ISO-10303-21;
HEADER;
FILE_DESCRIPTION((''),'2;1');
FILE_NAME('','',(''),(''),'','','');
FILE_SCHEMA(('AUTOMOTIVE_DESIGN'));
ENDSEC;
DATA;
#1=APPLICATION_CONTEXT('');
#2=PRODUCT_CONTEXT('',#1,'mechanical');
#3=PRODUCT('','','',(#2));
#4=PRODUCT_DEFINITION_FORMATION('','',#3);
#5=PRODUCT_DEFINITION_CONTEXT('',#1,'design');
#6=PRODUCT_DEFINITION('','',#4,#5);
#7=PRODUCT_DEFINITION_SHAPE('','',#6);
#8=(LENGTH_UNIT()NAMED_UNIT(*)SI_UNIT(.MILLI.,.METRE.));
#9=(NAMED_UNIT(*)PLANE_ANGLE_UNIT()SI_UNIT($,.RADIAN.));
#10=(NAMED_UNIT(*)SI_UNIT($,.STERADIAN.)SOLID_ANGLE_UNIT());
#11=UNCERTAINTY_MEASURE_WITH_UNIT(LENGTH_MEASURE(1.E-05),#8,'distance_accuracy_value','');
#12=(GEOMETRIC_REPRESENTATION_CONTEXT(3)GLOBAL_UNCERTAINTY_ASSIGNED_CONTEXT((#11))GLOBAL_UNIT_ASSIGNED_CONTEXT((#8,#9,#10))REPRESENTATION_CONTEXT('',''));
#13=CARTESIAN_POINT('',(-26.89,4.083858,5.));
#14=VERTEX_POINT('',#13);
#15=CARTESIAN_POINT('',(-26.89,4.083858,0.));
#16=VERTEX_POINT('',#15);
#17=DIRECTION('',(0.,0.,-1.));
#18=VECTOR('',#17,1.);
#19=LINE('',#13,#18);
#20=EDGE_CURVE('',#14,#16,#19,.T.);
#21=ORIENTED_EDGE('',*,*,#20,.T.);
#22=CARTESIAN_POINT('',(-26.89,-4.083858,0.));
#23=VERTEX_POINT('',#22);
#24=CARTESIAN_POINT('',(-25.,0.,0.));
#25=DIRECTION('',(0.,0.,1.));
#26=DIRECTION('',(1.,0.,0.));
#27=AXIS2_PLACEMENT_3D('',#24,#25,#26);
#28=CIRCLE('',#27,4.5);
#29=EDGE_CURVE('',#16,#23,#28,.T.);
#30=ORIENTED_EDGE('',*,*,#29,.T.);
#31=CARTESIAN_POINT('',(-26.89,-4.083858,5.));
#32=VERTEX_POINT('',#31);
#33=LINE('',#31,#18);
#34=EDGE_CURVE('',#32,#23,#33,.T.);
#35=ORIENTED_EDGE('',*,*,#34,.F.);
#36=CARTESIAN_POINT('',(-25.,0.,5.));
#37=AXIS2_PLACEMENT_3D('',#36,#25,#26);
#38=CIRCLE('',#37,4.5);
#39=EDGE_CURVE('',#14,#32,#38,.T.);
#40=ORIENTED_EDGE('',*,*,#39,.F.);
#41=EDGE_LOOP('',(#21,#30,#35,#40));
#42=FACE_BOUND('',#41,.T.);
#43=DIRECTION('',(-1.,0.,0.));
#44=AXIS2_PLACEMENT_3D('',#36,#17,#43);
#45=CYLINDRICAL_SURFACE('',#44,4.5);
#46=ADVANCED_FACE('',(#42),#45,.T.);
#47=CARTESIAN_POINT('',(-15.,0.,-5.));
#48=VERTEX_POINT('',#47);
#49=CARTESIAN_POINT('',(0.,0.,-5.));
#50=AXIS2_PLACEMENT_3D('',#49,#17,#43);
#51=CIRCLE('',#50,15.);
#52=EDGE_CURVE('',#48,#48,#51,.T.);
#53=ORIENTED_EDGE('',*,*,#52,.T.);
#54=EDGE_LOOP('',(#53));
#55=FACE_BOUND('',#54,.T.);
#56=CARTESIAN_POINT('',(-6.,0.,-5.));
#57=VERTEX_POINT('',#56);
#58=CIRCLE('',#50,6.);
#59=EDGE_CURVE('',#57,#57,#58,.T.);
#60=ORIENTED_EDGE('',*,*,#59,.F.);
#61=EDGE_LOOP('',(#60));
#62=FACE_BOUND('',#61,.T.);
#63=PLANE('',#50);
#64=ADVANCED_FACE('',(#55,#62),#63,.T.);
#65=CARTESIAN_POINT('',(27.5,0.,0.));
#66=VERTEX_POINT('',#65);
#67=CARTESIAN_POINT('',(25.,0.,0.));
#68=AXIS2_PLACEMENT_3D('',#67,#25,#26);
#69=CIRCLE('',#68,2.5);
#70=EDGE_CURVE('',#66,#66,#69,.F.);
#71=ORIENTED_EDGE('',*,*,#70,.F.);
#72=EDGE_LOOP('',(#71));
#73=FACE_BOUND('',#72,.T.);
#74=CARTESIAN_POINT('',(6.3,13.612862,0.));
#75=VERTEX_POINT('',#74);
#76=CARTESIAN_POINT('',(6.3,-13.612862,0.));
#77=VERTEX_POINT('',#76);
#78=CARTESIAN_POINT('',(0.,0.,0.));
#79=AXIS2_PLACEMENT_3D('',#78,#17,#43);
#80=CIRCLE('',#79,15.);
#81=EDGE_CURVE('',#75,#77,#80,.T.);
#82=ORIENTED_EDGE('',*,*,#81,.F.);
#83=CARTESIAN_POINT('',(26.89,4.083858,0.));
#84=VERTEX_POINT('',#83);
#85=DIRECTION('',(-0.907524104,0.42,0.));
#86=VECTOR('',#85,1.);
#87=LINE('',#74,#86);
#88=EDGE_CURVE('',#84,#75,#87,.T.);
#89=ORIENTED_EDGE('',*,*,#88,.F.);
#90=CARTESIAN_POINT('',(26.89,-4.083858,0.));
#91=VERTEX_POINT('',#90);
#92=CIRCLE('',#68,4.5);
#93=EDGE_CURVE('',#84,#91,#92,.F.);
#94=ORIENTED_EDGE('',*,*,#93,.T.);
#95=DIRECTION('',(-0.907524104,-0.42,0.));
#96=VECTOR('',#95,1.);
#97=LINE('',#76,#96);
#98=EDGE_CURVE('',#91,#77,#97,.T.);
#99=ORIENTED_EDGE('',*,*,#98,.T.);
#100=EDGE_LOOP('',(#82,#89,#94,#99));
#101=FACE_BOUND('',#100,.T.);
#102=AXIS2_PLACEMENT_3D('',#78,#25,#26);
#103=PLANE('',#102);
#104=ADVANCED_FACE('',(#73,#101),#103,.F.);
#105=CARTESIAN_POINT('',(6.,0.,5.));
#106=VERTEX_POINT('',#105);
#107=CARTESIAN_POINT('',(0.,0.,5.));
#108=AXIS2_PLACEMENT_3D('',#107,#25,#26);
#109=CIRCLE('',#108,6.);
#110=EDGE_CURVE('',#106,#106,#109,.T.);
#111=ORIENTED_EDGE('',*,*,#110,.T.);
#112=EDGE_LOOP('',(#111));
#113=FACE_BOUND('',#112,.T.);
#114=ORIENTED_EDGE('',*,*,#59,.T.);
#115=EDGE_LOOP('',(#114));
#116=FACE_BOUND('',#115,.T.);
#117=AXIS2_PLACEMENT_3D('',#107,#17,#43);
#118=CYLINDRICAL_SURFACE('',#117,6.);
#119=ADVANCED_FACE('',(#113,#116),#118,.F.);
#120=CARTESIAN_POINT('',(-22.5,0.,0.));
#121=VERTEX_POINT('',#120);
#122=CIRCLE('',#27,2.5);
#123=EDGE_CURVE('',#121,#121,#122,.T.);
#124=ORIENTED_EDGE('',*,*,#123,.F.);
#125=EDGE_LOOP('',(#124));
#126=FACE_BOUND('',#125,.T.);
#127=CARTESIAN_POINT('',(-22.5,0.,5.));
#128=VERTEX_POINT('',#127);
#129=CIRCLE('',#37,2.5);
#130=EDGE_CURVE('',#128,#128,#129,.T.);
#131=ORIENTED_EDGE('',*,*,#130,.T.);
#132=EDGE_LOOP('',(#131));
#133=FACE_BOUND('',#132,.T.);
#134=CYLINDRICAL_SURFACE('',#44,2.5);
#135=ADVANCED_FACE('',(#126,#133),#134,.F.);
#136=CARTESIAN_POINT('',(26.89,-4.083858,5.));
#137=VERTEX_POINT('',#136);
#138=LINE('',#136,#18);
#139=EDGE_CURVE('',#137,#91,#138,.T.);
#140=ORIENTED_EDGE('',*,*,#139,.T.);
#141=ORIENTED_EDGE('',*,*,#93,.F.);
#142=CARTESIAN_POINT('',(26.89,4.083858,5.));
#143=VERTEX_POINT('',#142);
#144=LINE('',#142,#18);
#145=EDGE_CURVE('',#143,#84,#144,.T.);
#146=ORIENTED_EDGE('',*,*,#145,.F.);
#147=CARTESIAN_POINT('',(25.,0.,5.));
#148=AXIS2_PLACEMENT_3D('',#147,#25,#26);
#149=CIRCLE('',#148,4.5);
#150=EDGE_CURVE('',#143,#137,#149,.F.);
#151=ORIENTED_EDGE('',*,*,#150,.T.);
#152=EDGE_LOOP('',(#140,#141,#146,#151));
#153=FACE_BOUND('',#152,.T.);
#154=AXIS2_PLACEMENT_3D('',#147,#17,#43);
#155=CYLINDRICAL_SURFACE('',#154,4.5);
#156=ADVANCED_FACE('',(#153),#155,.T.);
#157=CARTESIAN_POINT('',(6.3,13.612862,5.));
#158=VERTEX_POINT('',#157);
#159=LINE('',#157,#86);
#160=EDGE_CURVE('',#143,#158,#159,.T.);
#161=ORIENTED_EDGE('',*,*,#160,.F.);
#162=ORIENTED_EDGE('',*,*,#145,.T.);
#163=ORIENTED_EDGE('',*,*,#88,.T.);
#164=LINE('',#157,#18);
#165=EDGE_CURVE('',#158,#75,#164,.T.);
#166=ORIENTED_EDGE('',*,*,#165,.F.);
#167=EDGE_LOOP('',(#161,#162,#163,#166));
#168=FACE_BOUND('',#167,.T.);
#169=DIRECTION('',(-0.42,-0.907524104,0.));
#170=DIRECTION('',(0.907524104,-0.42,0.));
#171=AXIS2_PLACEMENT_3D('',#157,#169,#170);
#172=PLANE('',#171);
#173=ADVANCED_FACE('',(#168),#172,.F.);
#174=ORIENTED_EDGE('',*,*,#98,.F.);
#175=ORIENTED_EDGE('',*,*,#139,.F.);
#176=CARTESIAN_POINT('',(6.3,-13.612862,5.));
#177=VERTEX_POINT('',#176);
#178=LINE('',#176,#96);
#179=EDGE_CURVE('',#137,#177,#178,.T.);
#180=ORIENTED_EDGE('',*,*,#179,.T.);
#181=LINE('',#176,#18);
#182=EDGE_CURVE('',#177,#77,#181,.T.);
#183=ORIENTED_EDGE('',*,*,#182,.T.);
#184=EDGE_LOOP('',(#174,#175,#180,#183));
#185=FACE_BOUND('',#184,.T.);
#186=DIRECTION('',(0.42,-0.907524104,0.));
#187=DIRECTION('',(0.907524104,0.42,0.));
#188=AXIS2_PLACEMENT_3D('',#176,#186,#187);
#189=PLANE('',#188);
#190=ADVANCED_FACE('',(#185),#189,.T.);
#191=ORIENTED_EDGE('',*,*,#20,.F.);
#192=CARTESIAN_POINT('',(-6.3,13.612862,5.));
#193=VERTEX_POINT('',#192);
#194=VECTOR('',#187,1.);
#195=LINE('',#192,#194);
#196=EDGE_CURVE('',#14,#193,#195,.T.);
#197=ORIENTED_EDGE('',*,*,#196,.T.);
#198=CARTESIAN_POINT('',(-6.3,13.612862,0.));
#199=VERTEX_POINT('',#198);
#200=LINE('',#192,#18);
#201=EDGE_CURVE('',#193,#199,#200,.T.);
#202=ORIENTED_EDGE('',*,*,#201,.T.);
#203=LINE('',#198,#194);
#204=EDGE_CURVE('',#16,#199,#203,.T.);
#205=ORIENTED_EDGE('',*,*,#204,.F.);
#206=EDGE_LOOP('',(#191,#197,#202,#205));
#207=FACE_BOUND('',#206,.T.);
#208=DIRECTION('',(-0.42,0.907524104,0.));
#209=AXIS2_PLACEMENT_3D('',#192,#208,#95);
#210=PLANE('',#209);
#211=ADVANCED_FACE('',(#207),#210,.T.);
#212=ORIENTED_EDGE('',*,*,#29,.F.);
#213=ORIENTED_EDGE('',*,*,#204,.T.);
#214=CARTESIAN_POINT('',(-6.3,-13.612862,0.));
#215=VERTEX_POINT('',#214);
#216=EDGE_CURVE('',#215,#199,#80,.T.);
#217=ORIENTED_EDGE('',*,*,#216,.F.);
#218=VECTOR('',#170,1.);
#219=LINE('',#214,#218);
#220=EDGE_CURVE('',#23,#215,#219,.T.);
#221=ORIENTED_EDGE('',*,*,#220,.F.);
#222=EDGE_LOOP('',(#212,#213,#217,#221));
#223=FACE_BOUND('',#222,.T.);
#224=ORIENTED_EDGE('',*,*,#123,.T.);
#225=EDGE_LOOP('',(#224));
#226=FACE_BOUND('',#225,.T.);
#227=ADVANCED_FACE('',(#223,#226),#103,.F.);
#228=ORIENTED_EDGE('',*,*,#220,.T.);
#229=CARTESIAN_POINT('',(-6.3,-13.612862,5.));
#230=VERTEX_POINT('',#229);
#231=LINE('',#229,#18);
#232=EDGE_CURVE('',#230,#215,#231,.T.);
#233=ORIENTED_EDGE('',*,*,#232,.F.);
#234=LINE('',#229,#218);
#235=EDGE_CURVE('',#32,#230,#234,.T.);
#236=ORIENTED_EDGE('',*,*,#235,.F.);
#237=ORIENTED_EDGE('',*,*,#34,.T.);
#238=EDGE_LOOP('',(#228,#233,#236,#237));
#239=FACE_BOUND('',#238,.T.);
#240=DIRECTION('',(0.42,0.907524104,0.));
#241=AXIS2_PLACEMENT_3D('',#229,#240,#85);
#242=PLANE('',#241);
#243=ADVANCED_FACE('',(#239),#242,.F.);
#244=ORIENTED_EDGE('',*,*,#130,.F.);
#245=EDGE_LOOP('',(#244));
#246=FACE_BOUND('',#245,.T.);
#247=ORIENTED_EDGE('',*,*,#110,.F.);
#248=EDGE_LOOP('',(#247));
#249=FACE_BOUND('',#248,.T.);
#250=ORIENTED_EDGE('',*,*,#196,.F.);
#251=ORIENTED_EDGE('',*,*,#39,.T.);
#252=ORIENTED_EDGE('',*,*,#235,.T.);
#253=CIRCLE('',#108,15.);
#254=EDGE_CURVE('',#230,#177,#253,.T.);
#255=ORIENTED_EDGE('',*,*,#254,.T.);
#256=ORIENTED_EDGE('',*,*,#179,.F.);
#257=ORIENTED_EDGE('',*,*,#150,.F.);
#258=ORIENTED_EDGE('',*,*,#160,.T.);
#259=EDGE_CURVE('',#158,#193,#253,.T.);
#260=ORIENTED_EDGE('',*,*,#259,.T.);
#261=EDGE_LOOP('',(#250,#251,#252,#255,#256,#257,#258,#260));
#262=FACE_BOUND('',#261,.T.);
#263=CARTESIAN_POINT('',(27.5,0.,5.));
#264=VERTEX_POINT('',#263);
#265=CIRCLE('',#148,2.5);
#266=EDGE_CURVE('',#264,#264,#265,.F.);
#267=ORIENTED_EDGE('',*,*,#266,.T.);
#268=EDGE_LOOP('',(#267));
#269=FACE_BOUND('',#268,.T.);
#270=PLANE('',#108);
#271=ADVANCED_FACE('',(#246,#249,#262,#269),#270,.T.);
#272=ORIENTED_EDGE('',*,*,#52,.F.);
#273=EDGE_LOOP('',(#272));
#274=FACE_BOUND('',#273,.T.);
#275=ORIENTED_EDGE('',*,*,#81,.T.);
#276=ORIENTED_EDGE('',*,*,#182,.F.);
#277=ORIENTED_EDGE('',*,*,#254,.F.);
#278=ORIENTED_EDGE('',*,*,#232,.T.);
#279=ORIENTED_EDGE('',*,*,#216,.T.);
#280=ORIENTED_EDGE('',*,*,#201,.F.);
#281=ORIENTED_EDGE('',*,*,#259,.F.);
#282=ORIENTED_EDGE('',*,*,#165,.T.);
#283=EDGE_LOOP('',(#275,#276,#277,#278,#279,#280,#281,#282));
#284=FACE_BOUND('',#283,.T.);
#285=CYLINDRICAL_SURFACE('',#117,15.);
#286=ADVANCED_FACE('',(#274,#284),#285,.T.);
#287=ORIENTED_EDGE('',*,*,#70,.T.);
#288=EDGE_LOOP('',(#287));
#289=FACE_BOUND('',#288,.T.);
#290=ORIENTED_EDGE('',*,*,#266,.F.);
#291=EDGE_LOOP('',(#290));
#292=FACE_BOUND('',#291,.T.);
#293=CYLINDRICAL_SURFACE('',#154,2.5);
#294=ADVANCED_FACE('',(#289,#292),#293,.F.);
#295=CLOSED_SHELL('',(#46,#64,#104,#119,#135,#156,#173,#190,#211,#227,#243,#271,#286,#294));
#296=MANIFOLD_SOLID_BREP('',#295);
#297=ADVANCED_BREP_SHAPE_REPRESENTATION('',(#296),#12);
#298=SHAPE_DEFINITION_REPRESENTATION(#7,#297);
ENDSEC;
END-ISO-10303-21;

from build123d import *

# Parameters (mm, degrees)
SKETCH1_R           = 2.5
SKETCH1_R_2         = 6
BOSS_EXTRUDE1_DEPTH = 5
BOSS_EXTRUDE2_START = 5
SKETCH2_R           = 15
SKETCH2_R_2         = 6
BOSS_EXTRUDE2_DEPTH = 5


with BuildPart() as part:
    # Sketch1 → Boss-Extrude1 (new body)
    with BuildSketch(Plane.XY):
        with BuildLine():
            Line((6.3, -13.612861565), (26.89, -4.08385847))
            ThreePointArc((26.89, -4.08385847), (29.5, 0), (26.89, 4.08385847))
            Line((26.89, 4.08385847), (6.3, 13.612861565))
            ThreePointArc((6.3, 13.612861565), (0, 15), (-6.3, 13.612861565))
            Line((-6.3, 13.612861565), (-26.89, 4.08385847))
            ThreePointArc((-26.89, 4.08385847), (-29.5, 0), (-26.89, -4.08385847))
            Line((-26.89, -4.08385847), (-6.3, -13.612861565))
            ThreePointArc((-6.3, -13.612861565), (0, -15), (6.3, -13.612861565))
        make_face()
        with Locations((25, 0)):
            Circle(SKETCH1_R, mode=Mode.SUBTRACT)
        Circle(SKETCH1_R_2, mode=Mode.SUBTRACT)
        with Locations((-25, 0)):
            Circle(SKETCH1_R, mode=Mode.SUBTRACT)
    extrude(amount=BOSS_EXTRUDE1_DEPTH)

    # Sketch2 → Boss-Extrude2 (add)
    with BuildSketch(Plane(origin=(0, 0, 0), x_dir=(-1, 0, 0), z_dir=(0, 0, -1)).offset(BOSS_EXTRUDE2_START)):
        Circle(SKETCH2_R)
        Circle(SKETCH2_R_2, mode=Mode.SUBTRACT)
    extrude(amount=-BOSS_EXTRUDE2_DEPTH)


solid = part.part
